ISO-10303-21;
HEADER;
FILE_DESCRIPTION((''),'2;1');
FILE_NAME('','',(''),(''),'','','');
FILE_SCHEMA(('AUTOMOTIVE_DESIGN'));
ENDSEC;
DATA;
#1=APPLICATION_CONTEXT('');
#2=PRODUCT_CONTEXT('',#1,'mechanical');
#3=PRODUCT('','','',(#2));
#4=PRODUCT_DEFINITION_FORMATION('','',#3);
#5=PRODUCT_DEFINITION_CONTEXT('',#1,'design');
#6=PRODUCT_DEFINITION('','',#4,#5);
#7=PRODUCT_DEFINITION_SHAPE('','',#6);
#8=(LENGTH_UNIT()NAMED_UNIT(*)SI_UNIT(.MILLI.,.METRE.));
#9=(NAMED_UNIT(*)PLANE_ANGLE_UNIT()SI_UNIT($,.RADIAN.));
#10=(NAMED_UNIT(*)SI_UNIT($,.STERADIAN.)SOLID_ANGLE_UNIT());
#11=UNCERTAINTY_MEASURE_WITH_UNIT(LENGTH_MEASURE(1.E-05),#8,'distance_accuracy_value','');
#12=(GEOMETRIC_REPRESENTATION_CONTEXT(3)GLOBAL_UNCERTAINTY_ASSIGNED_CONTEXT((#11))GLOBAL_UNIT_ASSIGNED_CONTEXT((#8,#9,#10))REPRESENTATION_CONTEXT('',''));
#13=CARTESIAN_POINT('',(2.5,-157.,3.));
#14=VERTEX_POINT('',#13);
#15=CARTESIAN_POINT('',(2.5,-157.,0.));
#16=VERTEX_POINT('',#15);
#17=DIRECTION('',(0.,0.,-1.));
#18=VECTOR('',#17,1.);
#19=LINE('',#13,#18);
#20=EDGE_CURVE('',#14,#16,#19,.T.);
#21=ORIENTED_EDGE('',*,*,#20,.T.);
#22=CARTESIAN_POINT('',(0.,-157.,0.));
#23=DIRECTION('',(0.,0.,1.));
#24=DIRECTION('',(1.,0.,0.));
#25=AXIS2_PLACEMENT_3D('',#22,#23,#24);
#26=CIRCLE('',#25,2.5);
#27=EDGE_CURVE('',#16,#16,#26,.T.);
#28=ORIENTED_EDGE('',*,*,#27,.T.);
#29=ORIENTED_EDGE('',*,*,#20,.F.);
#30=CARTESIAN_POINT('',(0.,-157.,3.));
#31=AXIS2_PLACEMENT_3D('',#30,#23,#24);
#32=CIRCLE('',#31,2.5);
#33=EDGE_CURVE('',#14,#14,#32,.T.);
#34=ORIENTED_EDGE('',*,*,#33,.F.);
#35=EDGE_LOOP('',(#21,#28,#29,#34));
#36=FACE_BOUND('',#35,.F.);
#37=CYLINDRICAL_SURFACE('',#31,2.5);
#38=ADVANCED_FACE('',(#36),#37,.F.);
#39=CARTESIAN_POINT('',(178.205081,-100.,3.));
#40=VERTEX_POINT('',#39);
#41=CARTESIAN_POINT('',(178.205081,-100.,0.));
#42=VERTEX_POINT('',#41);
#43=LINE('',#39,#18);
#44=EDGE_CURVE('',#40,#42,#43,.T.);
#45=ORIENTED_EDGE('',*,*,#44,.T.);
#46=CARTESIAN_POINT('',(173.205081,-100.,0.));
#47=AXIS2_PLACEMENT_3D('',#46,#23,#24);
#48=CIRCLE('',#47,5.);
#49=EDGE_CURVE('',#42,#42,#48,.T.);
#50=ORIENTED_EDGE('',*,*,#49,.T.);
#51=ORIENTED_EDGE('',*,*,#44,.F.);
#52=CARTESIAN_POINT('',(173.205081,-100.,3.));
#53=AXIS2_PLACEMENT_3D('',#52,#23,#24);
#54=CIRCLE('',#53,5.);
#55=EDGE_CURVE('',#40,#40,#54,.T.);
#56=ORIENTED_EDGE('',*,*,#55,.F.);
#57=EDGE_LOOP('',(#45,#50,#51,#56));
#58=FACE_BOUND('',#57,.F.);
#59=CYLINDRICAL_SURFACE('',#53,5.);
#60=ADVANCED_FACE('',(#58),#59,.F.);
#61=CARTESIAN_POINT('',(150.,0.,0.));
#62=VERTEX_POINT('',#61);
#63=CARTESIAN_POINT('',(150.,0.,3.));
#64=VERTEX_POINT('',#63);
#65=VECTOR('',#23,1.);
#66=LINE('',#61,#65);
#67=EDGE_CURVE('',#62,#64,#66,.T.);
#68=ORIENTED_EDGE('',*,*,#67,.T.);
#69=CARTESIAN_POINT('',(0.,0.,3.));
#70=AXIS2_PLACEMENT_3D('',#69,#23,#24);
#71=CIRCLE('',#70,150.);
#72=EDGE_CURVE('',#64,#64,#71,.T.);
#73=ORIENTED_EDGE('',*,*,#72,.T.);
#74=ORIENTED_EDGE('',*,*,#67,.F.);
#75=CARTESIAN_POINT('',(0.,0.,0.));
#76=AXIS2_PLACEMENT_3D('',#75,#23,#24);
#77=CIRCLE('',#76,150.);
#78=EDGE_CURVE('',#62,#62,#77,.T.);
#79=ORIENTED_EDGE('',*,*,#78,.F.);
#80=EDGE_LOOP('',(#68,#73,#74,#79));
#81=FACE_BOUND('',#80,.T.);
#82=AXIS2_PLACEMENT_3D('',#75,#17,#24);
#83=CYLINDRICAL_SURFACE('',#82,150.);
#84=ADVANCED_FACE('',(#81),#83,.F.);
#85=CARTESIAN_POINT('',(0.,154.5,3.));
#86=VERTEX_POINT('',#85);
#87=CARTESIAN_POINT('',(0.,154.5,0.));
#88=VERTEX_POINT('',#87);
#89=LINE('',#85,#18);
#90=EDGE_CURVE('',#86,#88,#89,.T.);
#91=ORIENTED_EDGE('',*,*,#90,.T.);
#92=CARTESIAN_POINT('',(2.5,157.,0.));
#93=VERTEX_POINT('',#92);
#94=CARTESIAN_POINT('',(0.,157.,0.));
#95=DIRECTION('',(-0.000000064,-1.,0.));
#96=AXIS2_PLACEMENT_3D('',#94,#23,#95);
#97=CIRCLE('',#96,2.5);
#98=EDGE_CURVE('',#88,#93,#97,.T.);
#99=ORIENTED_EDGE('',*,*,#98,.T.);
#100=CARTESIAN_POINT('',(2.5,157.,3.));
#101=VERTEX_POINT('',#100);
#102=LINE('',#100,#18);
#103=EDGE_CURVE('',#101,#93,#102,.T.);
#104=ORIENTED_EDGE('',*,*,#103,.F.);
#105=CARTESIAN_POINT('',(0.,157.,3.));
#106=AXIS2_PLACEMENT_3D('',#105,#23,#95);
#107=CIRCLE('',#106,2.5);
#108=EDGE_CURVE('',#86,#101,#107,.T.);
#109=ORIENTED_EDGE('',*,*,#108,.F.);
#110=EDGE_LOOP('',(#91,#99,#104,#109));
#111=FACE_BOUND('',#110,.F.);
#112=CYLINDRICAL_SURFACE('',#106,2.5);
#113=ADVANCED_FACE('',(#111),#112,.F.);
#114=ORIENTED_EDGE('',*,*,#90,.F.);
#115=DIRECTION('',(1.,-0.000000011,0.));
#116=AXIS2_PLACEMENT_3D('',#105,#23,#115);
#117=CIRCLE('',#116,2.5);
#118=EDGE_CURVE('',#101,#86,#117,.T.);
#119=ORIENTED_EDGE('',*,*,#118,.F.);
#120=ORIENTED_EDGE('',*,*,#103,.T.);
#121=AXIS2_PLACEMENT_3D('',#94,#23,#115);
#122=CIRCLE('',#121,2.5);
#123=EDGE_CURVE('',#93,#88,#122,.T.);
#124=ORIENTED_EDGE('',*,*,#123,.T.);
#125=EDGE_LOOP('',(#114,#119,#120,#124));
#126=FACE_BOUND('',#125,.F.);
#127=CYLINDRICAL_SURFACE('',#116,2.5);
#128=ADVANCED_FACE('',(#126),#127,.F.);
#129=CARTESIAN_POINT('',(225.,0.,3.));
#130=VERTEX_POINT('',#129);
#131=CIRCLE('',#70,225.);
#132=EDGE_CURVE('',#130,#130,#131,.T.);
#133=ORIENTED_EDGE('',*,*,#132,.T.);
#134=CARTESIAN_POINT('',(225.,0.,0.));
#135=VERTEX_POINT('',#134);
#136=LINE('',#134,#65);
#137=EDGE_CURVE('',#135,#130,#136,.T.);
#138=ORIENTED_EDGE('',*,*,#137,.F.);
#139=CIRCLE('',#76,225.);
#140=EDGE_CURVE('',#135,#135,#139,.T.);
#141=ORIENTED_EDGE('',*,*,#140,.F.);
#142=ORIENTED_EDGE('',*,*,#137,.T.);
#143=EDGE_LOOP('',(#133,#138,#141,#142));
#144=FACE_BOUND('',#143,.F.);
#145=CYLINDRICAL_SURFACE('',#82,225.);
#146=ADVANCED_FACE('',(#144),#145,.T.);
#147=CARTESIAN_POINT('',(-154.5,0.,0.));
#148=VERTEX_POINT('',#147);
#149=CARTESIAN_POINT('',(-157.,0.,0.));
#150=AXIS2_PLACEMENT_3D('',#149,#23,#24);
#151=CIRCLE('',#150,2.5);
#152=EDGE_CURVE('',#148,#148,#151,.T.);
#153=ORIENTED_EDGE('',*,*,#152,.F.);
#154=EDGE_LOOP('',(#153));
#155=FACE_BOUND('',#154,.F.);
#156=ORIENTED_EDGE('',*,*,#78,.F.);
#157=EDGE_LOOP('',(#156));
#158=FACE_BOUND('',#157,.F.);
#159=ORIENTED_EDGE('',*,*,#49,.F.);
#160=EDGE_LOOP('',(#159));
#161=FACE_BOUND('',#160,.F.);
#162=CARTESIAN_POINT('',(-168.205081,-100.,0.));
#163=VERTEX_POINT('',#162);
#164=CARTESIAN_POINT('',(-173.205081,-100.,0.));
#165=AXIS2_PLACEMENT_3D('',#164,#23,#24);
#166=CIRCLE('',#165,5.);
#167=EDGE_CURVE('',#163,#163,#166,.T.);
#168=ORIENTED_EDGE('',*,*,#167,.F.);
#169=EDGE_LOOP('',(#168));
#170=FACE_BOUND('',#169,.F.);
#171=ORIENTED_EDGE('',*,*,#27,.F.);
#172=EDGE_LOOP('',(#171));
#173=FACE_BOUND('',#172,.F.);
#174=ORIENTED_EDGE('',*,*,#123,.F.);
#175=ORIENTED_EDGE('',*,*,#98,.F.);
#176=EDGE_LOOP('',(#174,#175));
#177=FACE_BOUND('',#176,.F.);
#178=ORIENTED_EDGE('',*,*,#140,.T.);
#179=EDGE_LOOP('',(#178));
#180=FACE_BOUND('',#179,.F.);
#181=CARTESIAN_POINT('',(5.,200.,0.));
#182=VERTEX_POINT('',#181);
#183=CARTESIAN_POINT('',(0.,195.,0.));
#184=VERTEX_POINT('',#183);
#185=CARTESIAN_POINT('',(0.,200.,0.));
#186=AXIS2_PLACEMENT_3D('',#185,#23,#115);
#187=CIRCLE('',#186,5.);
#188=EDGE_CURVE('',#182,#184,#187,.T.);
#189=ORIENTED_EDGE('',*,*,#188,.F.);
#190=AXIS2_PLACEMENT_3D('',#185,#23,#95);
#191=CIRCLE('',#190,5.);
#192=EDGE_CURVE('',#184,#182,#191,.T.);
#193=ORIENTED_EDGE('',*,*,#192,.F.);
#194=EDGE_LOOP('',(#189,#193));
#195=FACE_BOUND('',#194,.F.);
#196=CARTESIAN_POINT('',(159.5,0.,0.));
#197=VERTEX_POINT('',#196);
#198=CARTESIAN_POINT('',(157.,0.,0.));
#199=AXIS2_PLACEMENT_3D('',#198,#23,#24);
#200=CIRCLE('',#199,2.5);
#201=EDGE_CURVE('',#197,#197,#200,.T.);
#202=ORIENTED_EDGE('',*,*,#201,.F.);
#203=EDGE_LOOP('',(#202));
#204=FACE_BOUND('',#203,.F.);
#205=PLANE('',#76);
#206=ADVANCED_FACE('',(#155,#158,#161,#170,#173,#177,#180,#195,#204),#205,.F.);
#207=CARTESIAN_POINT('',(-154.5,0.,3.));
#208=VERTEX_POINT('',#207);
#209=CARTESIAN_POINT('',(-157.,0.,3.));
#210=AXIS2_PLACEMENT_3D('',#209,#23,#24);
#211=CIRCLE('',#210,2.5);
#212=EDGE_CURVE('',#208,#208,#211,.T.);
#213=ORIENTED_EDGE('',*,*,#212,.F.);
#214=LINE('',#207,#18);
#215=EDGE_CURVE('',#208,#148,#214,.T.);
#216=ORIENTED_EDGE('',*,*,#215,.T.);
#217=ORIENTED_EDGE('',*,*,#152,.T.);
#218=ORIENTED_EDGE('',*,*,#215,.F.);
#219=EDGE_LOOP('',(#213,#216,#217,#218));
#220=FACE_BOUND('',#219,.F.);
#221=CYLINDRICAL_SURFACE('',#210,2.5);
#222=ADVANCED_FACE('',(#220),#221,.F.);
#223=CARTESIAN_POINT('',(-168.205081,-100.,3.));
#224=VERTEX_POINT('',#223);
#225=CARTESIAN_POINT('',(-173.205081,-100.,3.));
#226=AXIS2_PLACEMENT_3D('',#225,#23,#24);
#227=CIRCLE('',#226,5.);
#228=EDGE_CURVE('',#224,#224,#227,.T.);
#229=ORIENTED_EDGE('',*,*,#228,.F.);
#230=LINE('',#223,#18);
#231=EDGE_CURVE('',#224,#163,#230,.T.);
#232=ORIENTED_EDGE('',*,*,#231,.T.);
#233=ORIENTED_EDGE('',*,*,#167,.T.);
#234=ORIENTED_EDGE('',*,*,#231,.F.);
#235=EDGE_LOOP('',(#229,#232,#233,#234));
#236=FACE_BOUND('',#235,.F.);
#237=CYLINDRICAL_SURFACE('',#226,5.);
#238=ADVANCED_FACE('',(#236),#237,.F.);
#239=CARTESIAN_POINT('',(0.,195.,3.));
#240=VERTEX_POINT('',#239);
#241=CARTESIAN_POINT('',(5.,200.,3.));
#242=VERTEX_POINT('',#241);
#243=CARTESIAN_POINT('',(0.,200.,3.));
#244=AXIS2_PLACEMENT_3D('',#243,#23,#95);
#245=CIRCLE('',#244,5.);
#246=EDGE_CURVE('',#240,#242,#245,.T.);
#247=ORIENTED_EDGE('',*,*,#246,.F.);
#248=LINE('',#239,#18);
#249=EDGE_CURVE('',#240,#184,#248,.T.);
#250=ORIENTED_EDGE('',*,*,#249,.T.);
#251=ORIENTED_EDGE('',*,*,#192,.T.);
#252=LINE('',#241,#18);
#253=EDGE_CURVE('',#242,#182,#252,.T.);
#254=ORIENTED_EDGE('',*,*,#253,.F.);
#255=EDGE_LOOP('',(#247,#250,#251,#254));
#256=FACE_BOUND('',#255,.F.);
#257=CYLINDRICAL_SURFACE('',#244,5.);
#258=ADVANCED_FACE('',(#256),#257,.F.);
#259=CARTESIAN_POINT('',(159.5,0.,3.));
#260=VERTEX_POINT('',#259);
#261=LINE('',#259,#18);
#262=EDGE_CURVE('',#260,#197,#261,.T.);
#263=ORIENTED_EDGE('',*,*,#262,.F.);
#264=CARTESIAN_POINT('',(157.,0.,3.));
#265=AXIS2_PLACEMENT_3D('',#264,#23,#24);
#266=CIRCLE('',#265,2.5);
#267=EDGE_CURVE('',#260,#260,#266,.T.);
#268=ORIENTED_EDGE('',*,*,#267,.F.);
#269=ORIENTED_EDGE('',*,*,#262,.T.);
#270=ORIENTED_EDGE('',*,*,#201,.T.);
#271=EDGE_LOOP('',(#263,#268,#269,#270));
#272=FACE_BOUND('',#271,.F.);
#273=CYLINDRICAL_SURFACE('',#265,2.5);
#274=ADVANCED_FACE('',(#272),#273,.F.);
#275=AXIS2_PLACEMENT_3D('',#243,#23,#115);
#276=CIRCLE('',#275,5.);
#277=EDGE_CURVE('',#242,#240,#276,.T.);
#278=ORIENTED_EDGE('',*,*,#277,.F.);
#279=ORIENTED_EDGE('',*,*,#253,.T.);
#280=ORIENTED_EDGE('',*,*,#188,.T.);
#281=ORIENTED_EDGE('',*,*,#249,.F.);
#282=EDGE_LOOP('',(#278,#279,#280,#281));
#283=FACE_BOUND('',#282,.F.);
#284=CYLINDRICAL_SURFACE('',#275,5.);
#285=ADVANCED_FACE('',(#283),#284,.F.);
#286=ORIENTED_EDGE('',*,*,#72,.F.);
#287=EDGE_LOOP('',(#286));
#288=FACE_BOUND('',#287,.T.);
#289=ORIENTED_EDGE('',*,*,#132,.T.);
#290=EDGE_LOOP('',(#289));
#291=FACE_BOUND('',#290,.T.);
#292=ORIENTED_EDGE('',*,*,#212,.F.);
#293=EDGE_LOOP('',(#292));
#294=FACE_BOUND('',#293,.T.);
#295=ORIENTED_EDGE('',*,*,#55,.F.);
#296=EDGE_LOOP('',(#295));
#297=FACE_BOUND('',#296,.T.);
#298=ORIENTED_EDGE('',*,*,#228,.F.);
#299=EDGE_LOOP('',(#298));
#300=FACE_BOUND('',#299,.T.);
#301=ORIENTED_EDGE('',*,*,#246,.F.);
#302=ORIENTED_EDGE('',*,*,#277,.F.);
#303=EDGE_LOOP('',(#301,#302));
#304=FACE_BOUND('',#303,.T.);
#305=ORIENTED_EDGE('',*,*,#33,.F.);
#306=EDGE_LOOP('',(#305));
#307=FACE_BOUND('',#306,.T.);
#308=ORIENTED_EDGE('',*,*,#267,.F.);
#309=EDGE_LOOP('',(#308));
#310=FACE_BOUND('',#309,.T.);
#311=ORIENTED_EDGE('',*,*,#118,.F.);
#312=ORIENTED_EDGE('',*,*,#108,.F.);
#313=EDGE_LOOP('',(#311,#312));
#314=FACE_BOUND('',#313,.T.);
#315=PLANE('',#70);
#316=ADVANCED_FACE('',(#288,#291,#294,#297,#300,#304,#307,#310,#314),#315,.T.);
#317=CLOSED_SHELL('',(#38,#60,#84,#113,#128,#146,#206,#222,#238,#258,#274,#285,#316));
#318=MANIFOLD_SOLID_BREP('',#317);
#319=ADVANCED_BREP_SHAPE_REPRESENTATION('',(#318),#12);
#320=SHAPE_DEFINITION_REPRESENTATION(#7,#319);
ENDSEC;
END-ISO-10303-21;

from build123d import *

# Parameters (mm, degrees)
F0_R     = 225
F0_R_2   = 150
F1_DEPTH = 3
F2_R     = 5
F3_DEPTH = 3
F4_R     = 2.5
F5_DEPTH = 3


with BuildPart() as f1:
    # F0 (on Top) → F1 (new body)
    with BuildSketch(Plane.XY):
        Circle(F0_R)
        Circle(F0_R_2, mode=Mode.SUBTRACT)
    extrude(amount=F1_DEPTH)

    # F2 (on face) → F3 (cut)
    with BuildSketch(Plane.XY.offset(3)):
        with BuildLine():
            ThreePointArc((0, 195), (3.535534, 196.464466), (5, 200))
            ThreePointArc((5, 200), (-3.535534, 203.535534), (0, 195))
        make_face()
        with Locations((-173.205081, -100)):
            Circle(F2_R)
        with Locations((173.205081, -100)):
            Circle(F2_R)
    extrude(amount=-F3_DEPTH, mode=Mode.SUBTRACT)

    # F4 (on face) → F5 (cut)
    with BuildSketch(Plane.XY.offset(3)):
        with BuildLine():
            ThreePointArc((0, 154.5), (1.767767, 155.232233), (2.5, 157))
            ThreePointArc((2.5, 157), (-1.767767, 158.767767), (0, 154.5))
        make_face()
        with Locations((-157, 0)):
            Circle(F4_R)
        with Locations((0, -157)):
            Circle(F4_R)
        with Locations((157, 0)):
            Circle(F4_R)
    extrude(amount=-F5_DEPTH, mode=Mode.SUBTRACT)


solid = f1.part
